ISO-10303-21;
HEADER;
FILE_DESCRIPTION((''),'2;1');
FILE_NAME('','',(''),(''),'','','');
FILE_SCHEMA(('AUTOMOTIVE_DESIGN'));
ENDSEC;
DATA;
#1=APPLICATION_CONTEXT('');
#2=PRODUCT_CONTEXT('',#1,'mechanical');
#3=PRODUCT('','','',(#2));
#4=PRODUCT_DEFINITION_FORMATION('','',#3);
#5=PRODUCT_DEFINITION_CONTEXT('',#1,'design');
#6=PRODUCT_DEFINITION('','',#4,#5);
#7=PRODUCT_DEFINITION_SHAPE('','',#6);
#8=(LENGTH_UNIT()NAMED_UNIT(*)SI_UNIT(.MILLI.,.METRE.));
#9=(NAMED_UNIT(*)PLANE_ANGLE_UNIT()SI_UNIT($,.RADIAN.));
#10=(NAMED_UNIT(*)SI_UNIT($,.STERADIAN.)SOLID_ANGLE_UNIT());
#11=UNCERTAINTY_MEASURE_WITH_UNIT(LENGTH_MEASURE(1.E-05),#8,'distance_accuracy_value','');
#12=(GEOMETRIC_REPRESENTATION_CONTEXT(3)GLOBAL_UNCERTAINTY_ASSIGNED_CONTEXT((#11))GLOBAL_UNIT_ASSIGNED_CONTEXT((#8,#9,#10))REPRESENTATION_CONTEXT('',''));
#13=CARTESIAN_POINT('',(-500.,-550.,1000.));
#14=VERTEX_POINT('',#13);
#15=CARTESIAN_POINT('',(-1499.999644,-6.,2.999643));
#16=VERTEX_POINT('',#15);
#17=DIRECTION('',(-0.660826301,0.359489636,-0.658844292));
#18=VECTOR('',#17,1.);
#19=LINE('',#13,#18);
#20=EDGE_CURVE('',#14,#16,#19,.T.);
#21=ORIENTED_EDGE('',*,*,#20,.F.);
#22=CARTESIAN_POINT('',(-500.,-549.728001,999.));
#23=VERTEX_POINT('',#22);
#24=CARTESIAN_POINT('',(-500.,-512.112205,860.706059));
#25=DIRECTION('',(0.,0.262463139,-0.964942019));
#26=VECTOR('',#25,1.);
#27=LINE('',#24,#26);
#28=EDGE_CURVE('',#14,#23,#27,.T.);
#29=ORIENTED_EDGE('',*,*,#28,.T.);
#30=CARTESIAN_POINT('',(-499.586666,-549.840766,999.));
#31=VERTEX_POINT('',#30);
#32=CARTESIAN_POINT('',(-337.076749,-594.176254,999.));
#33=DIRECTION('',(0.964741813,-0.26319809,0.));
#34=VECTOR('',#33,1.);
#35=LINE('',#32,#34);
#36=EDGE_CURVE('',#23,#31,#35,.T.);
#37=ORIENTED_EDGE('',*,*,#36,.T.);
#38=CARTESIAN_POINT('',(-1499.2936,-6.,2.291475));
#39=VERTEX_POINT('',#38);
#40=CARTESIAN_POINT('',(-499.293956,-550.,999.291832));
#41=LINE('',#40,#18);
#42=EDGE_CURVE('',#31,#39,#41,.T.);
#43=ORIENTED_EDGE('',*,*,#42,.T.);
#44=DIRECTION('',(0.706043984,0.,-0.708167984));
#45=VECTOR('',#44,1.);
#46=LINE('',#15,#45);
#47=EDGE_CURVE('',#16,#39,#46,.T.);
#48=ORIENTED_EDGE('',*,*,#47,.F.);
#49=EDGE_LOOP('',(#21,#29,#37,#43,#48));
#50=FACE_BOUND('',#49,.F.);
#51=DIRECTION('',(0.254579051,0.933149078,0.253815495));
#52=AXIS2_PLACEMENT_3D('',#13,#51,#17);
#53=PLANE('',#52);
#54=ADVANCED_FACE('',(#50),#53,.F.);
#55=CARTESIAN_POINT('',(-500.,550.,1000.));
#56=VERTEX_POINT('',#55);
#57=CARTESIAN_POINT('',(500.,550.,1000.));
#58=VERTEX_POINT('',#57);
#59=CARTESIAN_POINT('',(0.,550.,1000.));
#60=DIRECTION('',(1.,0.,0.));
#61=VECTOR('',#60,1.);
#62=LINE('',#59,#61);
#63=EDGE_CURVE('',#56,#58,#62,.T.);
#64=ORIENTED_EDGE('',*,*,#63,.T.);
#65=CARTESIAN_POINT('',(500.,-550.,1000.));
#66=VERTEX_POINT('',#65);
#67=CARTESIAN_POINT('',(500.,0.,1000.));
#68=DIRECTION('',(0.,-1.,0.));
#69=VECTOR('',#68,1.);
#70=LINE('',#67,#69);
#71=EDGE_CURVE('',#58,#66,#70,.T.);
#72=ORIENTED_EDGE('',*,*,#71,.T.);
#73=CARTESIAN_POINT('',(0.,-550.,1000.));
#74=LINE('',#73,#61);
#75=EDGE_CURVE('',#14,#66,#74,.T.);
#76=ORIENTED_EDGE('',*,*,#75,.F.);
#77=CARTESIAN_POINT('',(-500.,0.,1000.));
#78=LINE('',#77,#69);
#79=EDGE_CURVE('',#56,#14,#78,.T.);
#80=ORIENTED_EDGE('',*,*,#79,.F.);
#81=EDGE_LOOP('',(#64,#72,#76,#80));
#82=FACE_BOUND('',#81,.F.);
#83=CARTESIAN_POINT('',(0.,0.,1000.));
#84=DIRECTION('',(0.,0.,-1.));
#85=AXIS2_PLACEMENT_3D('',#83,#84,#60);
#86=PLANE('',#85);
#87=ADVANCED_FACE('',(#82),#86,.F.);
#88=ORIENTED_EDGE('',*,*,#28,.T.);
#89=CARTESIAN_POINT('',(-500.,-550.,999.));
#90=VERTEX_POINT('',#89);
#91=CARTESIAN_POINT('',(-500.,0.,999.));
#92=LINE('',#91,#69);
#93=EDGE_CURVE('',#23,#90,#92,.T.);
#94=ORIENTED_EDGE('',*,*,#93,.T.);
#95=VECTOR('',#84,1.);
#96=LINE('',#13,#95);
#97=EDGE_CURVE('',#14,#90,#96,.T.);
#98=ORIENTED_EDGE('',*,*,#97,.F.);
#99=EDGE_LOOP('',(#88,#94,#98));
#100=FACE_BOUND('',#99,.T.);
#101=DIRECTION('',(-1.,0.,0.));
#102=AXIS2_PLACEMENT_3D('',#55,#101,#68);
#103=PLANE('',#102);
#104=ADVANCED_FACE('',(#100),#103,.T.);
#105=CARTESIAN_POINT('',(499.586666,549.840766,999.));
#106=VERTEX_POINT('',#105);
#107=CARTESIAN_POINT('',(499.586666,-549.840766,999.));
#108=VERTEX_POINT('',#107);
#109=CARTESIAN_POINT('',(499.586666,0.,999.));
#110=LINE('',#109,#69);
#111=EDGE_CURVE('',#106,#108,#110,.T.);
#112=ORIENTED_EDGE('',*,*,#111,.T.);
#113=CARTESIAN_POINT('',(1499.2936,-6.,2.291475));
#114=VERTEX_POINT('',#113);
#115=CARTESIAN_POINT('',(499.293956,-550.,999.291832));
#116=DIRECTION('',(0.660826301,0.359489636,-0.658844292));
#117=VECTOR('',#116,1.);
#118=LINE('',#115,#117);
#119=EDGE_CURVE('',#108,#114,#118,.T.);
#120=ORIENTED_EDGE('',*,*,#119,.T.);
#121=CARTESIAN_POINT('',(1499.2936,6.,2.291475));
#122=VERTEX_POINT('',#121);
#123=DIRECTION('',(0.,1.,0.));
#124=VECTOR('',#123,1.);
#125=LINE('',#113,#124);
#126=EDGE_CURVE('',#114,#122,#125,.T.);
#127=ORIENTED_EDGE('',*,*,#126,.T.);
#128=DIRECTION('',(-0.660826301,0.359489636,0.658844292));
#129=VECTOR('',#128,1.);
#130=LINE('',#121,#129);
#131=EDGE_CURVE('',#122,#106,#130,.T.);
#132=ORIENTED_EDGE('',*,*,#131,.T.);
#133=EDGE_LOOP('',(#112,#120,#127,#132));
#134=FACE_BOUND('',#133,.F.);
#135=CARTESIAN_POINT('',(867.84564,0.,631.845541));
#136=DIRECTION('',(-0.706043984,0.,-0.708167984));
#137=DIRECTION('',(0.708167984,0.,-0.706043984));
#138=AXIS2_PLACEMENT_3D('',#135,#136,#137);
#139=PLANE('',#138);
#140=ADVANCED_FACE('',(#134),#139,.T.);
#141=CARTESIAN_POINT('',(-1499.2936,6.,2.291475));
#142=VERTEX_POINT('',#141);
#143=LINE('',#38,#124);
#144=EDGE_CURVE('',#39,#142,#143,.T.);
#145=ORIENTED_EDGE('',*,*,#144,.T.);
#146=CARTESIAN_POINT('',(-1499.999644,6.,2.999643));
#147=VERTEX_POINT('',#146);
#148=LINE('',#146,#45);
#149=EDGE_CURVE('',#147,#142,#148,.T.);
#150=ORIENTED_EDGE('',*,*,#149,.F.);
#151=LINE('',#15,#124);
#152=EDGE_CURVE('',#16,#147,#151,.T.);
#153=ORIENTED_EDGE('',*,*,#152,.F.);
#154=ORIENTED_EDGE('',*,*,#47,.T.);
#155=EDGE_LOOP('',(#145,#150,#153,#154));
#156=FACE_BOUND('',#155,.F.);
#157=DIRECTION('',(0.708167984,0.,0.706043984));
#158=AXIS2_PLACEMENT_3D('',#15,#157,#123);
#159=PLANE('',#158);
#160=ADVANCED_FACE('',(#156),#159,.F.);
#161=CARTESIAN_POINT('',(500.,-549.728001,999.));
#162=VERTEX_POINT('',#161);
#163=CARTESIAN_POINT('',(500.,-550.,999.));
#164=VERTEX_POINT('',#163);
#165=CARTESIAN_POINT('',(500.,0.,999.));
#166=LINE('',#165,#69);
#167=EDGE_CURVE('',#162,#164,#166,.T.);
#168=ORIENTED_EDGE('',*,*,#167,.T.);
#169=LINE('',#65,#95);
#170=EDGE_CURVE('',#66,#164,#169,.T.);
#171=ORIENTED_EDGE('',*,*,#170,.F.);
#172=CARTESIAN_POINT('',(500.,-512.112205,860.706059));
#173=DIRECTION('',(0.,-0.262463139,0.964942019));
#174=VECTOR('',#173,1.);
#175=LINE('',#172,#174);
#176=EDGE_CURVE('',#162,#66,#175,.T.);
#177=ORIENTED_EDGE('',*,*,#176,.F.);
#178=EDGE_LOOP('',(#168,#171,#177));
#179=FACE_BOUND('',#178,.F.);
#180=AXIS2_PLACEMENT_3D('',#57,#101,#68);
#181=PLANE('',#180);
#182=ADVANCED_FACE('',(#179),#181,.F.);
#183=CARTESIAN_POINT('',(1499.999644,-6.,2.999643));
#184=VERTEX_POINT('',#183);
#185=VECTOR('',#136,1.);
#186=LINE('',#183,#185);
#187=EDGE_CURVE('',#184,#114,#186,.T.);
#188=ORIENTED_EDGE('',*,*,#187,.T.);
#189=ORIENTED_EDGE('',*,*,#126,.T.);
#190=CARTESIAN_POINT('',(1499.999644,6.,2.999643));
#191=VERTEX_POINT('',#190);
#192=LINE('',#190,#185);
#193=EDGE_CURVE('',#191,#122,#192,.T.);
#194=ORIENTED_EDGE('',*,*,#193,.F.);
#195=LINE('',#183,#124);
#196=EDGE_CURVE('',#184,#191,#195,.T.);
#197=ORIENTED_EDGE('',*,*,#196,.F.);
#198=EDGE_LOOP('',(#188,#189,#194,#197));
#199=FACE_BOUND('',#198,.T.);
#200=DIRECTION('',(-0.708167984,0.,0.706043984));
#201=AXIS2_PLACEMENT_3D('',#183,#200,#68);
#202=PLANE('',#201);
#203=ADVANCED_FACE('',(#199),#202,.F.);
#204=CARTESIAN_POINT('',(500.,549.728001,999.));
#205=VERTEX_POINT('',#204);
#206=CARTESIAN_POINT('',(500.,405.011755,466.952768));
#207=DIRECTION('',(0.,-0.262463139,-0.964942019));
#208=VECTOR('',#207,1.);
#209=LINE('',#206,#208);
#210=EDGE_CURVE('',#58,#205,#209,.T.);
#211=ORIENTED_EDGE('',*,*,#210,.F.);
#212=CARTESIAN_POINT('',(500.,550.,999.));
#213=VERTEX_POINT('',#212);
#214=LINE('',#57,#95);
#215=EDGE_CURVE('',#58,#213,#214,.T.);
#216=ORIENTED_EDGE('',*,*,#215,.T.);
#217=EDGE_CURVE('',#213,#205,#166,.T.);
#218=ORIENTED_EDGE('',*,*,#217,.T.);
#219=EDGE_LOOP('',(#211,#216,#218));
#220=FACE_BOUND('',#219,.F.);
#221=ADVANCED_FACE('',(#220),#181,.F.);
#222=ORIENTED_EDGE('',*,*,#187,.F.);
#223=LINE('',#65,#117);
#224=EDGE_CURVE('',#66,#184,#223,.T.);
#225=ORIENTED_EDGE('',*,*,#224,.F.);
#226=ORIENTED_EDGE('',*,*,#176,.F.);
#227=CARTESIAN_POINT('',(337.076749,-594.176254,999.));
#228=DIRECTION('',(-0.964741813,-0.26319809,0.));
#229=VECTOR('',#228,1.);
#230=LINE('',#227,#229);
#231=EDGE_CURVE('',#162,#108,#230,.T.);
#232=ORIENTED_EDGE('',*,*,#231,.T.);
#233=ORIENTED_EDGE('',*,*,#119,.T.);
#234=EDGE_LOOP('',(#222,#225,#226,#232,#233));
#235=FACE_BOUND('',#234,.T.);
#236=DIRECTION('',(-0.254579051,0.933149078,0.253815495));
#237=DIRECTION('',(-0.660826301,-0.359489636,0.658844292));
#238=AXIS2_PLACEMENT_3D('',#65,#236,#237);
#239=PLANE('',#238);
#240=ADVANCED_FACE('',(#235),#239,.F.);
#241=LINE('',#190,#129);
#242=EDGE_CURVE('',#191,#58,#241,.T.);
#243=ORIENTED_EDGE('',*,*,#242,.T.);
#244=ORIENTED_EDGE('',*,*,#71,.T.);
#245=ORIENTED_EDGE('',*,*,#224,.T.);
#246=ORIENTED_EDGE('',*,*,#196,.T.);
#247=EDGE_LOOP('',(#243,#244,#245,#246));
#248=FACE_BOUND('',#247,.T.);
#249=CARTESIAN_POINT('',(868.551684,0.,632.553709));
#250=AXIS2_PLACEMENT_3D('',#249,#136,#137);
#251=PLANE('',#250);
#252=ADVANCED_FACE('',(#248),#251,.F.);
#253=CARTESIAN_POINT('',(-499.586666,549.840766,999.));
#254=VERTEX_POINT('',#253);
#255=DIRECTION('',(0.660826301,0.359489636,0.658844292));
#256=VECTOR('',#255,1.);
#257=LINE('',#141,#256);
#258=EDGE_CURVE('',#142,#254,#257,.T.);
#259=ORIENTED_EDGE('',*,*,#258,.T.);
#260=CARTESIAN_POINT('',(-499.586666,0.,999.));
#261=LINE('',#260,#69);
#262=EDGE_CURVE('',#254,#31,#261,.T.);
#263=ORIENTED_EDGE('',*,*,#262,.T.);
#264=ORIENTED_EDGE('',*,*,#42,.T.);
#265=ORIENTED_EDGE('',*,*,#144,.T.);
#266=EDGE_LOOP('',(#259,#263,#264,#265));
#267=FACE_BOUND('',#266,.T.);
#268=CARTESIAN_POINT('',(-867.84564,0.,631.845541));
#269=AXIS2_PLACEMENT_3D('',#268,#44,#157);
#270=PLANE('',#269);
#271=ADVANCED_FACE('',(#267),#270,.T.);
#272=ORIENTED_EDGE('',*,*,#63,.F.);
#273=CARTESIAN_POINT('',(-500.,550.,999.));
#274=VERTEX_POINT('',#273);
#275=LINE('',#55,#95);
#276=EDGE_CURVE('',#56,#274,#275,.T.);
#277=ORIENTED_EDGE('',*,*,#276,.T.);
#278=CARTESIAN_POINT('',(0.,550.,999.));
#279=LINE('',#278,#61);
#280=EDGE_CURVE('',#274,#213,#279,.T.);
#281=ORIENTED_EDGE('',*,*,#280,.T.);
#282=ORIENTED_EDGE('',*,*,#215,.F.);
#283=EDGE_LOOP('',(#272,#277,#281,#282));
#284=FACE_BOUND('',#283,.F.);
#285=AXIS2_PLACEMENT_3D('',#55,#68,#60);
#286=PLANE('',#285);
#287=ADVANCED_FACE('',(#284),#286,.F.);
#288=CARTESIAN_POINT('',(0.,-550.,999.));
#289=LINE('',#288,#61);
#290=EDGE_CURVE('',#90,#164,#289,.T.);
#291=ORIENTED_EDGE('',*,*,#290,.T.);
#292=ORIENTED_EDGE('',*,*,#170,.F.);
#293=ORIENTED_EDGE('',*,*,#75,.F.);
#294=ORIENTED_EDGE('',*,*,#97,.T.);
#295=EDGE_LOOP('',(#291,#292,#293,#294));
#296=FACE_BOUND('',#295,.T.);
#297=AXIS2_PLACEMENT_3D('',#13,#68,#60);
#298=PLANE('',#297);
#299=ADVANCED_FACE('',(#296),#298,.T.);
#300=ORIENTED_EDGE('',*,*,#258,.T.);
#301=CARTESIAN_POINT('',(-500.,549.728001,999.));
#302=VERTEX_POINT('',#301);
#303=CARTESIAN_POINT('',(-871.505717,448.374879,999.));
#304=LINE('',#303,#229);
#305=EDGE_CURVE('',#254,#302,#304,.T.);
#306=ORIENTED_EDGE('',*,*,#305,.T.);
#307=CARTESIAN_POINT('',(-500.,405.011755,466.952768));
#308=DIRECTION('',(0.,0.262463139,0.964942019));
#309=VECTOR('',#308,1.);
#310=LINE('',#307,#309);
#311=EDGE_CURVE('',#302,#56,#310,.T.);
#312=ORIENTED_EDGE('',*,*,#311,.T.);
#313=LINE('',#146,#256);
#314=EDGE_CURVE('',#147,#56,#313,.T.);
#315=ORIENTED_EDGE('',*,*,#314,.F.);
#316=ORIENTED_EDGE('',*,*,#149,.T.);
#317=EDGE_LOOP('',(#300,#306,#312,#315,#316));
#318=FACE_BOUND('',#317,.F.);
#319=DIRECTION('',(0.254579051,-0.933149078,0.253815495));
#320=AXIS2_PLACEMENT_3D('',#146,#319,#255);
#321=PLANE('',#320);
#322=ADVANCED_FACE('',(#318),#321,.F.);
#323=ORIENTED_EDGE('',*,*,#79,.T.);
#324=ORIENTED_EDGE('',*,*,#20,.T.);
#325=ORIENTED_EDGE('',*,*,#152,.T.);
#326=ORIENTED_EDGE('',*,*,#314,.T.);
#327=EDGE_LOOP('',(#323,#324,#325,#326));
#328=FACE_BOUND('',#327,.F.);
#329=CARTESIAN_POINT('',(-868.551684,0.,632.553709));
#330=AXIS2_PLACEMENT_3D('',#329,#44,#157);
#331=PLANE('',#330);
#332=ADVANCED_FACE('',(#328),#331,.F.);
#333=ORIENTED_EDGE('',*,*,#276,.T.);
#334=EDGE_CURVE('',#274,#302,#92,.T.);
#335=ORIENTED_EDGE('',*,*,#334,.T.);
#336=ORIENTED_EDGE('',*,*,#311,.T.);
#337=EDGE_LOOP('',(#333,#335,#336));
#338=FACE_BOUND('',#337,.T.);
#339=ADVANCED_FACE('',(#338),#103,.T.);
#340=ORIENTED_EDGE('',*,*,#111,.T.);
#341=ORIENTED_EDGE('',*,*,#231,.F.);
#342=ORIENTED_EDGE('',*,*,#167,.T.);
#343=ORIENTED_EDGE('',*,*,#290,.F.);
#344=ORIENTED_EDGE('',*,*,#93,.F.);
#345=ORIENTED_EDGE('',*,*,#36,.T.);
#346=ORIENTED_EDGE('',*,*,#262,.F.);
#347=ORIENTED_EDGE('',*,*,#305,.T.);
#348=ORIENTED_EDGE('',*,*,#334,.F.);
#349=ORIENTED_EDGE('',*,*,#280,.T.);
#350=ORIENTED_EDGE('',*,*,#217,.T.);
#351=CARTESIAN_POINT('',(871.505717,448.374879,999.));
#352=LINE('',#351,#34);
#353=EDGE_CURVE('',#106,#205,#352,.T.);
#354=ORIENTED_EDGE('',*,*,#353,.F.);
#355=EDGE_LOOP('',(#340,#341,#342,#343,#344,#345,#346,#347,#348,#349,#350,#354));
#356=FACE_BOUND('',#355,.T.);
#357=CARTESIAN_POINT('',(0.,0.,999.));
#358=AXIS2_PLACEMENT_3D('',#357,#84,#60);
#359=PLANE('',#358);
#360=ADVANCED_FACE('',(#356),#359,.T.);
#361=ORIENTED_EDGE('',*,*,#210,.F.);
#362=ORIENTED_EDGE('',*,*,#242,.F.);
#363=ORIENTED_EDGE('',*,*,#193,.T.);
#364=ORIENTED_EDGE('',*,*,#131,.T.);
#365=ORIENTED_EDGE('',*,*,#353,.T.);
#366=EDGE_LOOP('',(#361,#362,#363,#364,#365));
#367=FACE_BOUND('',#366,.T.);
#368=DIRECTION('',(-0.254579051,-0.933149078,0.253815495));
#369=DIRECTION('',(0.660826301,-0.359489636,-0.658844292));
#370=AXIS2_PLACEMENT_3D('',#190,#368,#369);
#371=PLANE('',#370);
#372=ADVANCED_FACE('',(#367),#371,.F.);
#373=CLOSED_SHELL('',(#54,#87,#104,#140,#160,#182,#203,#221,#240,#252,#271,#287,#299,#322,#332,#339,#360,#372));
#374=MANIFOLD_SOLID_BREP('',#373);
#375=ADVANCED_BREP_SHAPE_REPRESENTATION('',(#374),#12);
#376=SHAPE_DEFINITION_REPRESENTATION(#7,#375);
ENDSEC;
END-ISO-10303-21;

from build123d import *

# Parameters (mm, degrees)
SKETCH001_W             = 1000
SKETCH001_H             = 1100
PAD001_DEPTH            = 1
PAD002_DEPTH            = 1
BODY001_PLACEMENT_ANGLE = 180


with BuildPart() as part:
    # Sketch001 → Pad001 (new body)
    with BuildSketch(Plane.XY):
        Rectangle(SKETCH001_W, SKETCH001_H)
    extrude(amount=PAD001_DEPTH)

    # Sketch002 (on Local_CS) → Pad002 (join)
    with BuildSketch(Plane(origin=(-500, 0, 0), x_dir=(0.708168, 0, -0.706044), z_dir=(0.706044, 0, 0.708168))):
        Polygon((0, -550), (0, 550), (-1412.093835, 6), (-1412.093835, -6), align=None)
    pad002 = extrude(amount=PAD002_DEPTH)

    # Mirrored: Pad002 across YZ
    add(pad002.mirror(Plane.YZ))


with BuildPart() as part_1:
    # Body001 placement: moved
    add(part.part.moved(Location((0, 0, 1000))).rotate(Axis((0, 0, 1000), (1, 0, 0)), BODY001_PLACEMENT_ANGLE))


solid = part_1.part
